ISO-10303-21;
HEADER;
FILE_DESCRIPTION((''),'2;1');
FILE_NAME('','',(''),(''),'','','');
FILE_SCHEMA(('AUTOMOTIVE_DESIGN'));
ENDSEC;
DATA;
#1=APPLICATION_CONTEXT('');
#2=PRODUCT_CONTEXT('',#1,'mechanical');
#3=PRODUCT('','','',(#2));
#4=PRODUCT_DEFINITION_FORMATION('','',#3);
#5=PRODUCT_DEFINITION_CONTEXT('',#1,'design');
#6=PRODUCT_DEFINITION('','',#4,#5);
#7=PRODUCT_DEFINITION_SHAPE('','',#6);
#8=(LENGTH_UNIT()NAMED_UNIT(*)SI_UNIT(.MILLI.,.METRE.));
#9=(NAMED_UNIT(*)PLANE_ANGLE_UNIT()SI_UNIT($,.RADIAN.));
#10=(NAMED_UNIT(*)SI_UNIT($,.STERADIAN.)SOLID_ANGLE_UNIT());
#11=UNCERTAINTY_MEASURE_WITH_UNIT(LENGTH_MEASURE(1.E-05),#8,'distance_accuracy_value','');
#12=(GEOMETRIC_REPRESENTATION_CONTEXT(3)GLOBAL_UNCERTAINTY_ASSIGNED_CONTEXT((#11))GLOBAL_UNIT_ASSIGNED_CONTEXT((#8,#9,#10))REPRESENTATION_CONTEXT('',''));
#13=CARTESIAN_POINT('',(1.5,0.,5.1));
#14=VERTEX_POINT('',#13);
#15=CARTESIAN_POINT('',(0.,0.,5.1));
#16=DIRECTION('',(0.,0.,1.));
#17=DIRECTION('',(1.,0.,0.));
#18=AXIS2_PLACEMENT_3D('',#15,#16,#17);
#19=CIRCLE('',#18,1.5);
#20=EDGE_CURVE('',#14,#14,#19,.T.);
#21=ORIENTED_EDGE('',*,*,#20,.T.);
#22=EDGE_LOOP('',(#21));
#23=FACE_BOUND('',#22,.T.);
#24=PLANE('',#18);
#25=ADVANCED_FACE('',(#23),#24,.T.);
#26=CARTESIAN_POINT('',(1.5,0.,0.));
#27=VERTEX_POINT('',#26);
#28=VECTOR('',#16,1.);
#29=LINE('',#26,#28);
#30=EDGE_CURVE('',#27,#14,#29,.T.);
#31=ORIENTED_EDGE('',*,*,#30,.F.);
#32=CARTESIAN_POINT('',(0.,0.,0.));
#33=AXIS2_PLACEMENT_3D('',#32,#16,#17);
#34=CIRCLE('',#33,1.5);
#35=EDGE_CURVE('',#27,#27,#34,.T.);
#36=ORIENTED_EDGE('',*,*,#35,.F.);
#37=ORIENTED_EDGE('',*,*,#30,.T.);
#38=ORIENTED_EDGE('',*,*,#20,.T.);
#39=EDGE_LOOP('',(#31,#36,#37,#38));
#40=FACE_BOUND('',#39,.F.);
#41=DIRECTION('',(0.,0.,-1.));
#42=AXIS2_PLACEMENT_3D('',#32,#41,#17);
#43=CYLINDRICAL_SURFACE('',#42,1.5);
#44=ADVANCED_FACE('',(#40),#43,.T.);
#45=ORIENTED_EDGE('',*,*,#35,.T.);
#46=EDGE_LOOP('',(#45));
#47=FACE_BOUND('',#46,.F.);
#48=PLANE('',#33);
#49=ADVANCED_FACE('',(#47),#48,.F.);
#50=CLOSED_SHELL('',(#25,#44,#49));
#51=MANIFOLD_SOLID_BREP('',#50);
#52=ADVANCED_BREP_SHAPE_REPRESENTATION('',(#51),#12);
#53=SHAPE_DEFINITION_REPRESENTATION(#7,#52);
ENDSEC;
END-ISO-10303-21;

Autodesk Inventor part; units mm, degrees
ref_plane "YZ Plane" through (0, 0, 0) normal (1, 0, 0) x (0, 1, 0)
ref_plane "XZ Plane" through (0, 0, 0) normal (0, 1, 0) x (-1, 0, 0)
ref_plane "XY Plane" through (0, 0, 0) normal (0, 0, 1) x (1, 0, 0)
sketch "Sketch1" plane through (0, 0, 0) normal (0, 0, 1) x (1, 0, 0)
  circle A0 centre (0, 0) radius 1.5
  dimension "d0" = 3
extrude "Extrusion1" add sketch "Sketch1" along normal blind 5.1
properties material "Iron, Malleable"
